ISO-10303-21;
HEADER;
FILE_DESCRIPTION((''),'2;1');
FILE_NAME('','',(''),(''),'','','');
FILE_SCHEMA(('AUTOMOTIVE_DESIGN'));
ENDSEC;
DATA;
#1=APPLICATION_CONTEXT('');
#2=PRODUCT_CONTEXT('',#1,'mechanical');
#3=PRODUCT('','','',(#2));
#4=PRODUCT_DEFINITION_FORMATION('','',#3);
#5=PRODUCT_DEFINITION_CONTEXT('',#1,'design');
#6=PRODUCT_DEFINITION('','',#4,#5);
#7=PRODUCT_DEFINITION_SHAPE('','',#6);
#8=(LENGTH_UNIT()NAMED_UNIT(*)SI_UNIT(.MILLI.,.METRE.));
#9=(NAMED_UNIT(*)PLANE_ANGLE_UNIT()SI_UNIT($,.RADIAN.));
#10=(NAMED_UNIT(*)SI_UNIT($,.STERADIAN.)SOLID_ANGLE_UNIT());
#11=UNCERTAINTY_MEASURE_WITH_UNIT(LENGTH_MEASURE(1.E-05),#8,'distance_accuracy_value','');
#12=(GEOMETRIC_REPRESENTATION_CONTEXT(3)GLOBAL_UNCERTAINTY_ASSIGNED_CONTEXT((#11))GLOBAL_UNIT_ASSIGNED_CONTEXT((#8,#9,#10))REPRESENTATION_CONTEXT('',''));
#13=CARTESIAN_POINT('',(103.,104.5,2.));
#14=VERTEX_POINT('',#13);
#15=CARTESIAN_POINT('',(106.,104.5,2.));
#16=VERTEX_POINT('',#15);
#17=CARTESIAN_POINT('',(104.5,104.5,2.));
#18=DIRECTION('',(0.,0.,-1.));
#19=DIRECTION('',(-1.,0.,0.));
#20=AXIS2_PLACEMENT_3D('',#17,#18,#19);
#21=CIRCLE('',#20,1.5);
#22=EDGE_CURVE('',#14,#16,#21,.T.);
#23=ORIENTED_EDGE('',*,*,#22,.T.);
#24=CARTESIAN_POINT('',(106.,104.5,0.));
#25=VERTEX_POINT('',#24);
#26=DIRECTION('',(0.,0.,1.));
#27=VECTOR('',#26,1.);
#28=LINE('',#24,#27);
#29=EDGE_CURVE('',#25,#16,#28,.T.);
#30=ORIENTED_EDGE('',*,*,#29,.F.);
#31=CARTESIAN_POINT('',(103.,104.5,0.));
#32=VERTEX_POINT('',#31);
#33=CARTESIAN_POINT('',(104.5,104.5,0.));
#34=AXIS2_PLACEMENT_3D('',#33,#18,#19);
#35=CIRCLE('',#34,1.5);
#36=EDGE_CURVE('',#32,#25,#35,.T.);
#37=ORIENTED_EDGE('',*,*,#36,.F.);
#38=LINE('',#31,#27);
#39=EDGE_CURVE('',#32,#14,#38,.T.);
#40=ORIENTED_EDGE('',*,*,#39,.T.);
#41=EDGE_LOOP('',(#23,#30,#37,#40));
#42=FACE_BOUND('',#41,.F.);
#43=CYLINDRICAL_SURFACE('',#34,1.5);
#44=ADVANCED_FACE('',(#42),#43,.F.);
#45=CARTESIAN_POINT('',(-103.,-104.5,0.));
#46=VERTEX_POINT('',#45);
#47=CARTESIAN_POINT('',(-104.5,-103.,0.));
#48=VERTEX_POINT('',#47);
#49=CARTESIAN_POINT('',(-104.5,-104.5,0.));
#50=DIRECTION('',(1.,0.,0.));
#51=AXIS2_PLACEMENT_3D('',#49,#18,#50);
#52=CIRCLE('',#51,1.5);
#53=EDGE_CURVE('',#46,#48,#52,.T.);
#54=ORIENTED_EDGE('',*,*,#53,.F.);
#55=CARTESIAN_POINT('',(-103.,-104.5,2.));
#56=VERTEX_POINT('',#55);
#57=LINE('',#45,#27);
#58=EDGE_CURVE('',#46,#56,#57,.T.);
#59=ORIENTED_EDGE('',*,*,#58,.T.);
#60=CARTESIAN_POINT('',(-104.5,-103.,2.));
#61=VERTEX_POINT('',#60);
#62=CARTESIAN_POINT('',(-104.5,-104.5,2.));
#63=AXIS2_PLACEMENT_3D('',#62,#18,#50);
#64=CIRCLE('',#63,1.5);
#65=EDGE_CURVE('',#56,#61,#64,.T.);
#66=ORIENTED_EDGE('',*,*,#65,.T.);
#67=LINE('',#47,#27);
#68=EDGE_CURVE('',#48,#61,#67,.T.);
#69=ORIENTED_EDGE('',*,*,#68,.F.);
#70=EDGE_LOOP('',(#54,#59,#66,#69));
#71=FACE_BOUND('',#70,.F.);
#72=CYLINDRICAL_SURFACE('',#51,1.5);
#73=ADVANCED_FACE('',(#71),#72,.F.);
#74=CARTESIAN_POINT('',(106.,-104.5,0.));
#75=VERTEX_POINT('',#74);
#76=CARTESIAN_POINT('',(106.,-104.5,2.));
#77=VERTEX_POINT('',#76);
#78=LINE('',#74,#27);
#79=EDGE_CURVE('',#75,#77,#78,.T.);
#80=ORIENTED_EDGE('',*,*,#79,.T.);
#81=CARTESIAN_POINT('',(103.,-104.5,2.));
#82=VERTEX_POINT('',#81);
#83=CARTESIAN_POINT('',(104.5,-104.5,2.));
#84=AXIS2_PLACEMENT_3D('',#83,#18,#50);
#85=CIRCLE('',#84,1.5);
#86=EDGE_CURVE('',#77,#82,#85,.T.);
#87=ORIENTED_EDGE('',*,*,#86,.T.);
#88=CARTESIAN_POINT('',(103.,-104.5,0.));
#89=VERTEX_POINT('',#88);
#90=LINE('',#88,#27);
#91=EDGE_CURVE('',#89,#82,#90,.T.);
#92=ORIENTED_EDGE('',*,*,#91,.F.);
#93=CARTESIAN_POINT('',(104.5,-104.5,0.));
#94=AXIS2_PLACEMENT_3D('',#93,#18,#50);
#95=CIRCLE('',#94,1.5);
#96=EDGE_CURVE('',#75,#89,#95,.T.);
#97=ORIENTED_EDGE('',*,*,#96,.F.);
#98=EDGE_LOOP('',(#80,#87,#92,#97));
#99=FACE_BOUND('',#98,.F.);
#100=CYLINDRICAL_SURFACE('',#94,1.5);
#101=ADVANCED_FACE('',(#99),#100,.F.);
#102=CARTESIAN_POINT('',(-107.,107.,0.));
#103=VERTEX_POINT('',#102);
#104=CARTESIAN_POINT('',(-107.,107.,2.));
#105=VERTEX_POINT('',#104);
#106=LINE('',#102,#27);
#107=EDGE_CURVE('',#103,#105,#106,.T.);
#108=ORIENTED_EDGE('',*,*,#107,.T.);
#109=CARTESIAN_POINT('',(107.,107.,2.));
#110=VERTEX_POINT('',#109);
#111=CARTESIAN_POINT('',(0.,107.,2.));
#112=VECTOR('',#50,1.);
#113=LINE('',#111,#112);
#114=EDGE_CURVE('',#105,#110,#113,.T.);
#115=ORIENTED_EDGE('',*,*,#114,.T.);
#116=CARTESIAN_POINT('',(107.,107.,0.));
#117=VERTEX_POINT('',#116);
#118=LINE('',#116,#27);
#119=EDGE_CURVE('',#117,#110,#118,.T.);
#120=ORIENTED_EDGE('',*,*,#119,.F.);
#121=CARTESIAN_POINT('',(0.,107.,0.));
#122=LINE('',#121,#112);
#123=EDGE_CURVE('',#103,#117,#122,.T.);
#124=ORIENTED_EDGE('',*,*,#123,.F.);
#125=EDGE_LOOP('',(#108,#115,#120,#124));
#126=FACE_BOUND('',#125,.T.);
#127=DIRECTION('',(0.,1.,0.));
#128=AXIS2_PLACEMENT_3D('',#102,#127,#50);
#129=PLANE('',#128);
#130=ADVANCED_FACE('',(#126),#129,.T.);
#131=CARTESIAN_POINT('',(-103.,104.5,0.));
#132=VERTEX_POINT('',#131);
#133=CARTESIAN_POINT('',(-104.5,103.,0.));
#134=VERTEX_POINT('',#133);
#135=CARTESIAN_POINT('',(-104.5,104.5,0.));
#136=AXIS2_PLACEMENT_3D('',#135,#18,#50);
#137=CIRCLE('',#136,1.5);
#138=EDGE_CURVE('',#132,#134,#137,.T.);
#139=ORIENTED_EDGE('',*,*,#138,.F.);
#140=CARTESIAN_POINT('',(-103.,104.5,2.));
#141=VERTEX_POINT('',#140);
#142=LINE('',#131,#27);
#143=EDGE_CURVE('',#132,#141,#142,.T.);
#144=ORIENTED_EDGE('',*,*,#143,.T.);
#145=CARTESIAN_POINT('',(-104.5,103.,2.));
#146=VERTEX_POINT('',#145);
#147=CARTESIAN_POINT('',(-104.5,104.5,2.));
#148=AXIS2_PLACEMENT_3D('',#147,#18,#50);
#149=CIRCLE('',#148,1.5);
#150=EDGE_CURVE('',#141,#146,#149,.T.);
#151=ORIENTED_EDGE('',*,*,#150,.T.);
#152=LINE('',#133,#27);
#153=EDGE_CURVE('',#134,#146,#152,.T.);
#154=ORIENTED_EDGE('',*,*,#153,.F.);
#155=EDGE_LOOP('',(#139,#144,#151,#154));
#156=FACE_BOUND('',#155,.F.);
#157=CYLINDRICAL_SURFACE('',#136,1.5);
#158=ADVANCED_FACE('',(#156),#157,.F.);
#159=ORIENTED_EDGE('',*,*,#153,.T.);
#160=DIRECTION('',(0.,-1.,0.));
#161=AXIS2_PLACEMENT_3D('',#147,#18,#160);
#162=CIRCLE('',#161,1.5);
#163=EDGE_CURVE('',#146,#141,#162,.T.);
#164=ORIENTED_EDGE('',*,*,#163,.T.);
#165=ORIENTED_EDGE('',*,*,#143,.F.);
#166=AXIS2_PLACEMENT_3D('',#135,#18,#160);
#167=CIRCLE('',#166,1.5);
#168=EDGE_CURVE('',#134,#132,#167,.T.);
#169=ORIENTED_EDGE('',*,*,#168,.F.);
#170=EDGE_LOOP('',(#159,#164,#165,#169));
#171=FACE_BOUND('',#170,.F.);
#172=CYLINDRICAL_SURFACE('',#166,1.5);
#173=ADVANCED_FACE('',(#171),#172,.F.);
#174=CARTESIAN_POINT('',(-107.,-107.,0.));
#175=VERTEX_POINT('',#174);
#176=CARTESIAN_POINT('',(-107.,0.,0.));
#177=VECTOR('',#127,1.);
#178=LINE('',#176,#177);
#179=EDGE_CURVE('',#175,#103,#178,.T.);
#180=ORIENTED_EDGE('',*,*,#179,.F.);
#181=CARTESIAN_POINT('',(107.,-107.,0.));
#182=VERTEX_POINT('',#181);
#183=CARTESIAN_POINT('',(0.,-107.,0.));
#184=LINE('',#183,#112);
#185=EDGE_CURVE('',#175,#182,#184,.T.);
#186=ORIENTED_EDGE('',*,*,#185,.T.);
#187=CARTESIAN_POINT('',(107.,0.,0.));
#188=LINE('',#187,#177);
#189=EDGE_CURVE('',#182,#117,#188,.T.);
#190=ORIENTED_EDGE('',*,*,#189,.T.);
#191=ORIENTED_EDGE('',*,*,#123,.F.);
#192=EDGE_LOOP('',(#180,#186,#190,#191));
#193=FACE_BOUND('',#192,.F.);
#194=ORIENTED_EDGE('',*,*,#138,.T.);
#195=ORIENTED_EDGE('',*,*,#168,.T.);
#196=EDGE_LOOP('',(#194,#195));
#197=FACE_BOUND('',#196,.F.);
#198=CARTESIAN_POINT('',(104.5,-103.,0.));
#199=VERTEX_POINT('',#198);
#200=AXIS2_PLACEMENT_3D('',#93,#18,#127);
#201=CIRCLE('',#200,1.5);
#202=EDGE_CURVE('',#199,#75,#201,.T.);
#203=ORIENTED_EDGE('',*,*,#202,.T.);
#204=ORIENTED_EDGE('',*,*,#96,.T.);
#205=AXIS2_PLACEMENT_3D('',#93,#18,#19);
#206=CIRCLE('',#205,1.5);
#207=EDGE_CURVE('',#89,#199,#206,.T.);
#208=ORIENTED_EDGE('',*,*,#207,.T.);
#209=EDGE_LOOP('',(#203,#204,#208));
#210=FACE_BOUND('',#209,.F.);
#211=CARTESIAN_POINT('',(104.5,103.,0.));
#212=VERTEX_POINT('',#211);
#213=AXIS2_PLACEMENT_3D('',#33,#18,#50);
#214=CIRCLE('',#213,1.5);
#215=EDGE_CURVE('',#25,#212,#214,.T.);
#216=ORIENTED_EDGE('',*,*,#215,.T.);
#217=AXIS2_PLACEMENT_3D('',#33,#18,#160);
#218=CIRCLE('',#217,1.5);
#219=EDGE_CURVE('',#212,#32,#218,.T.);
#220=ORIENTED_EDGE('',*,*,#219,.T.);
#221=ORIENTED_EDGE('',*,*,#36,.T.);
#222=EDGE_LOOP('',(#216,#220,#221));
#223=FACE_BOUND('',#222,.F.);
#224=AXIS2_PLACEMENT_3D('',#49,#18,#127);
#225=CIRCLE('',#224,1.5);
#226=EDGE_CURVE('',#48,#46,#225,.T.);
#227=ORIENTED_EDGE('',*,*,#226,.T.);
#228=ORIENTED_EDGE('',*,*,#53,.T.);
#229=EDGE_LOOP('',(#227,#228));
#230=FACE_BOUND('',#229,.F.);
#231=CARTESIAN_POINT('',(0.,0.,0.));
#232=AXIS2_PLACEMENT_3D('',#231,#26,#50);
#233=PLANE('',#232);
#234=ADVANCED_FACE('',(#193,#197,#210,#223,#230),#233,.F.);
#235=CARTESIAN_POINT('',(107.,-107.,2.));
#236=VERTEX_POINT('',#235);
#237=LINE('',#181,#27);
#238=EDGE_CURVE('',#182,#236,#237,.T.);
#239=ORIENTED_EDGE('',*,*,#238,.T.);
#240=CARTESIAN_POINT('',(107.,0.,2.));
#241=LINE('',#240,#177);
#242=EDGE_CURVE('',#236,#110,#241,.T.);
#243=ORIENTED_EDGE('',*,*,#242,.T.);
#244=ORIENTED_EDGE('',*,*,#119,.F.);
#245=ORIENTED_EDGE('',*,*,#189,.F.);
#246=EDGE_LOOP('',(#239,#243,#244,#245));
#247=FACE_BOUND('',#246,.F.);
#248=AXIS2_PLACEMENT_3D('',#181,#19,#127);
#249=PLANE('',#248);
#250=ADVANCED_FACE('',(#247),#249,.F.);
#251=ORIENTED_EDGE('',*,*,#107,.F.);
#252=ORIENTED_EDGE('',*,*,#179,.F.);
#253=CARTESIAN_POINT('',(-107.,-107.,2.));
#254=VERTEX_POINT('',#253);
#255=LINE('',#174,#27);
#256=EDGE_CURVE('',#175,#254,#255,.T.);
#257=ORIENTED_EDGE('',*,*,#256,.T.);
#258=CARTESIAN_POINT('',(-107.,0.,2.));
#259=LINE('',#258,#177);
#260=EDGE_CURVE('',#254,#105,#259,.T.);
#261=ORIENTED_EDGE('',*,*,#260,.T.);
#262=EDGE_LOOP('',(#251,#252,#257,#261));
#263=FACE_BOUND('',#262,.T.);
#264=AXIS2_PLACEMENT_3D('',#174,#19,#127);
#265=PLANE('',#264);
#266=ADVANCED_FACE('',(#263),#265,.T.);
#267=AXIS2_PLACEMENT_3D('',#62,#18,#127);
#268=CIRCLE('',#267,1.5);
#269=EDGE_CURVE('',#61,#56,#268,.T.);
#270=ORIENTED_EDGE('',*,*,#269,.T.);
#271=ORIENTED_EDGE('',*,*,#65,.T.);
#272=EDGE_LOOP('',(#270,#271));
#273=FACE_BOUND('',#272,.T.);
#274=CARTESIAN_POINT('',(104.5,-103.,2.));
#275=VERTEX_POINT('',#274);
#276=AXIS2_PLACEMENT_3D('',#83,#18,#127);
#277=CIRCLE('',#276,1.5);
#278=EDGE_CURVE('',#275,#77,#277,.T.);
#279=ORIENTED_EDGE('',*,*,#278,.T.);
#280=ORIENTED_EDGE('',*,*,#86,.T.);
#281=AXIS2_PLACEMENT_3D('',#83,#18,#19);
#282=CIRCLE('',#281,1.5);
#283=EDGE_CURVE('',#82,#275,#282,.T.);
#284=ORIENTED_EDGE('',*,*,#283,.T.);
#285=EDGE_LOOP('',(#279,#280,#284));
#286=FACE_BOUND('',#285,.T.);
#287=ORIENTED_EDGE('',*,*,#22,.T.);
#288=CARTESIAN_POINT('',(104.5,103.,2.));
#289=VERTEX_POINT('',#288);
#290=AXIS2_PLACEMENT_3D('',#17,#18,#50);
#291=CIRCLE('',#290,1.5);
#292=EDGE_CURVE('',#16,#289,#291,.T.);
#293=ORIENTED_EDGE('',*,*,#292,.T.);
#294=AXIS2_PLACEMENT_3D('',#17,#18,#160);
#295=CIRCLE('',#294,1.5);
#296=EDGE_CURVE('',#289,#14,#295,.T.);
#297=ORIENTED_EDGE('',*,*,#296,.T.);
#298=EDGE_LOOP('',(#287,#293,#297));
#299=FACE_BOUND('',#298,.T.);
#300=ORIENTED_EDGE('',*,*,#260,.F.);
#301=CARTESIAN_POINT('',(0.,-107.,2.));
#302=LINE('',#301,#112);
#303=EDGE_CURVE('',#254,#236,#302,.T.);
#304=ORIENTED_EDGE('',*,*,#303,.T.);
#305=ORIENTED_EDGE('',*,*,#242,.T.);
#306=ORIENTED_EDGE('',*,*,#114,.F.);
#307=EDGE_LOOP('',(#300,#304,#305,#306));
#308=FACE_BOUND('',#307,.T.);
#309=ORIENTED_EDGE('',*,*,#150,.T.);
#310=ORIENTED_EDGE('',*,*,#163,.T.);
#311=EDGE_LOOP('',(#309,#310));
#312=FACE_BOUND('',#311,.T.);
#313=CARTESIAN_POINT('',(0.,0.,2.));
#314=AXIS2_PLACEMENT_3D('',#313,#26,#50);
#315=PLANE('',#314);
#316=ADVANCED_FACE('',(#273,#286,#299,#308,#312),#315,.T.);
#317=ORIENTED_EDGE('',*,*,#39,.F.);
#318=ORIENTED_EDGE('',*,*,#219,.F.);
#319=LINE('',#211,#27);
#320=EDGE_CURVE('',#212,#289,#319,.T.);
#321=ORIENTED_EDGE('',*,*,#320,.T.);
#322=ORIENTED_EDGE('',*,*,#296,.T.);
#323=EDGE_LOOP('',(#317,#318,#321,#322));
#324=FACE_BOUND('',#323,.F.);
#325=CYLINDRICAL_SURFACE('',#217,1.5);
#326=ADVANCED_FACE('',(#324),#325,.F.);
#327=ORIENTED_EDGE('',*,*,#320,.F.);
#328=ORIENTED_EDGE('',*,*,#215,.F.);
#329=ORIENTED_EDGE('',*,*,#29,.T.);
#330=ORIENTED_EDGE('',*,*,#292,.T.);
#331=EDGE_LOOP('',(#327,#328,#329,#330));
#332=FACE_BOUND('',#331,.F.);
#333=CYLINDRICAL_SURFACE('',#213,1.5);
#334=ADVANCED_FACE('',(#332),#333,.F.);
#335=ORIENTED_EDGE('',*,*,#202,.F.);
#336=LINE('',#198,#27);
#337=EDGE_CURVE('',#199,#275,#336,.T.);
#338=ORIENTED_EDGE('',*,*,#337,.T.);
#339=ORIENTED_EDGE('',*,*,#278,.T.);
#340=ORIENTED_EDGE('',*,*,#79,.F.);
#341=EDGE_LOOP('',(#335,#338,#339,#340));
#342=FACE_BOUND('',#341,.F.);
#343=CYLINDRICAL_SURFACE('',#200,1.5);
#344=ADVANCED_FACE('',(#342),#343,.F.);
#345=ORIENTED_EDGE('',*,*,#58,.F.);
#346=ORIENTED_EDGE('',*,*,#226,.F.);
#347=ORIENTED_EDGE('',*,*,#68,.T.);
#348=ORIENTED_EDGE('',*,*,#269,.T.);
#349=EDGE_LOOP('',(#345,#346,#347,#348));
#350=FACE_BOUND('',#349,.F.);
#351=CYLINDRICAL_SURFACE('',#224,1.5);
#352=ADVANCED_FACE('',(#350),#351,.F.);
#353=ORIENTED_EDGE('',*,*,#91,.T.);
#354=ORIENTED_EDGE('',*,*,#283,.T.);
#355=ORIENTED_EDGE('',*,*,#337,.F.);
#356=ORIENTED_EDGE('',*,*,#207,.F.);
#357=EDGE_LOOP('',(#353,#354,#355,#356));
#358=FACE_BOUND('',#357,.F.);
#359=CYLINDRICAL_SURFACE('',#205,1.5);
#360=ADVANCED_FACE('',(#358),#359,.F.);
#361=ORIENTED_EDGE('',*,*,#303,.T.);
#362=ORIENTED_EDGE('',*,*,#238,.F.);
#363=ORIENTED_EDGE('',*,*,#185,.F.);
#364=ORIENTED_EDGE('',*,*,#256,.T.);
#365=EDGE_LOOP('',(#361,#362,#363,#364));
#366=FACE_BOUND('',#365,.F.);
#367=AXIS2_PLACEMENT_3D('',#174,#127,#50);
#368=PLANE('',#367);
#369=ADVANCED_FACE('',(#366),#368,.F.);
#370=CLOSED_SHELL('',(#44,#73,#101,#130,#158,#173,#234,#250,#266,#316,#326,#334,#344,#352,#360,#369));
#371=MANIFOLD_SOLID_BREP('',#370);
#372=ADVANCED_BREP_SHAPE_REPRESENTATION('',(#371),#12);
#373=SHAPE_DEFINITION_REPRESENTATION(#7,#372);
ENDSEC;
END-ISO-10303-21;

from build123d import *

# Parameters (mm, degrees)
F0_W     = 214
F0_H     = 214
F1_DEPTH = 2


with BuildPart() as f1:
    # F0 (on Top) → F1 (new body)
    with BuildSketch(Plane.XY):
        Rectangle(F0_W, F0_H)
        with BuildLine():
            ThreePointArc((-104.5, 103), (-105.5606601718, 105.5606601718), (-103, 104.5))
            Line((-103, 104.5), (103, 104.5))
            ThreePointArc((103, 104.5), (104.5, 106), (106, 104.5))
            ThreePointArc((106, 104.5), (105.5606601718, 103.4393398282), (104.5, 103))
            Line((104.5, 103), (104.5, -103))
            ThreePointArc((104.5, -103), (105.5606601718, -103.4393398282), (106, -104.5))
            ThreePointArc((106, -104.5), (104.5, -106), (103, -104.5))
            Line((103, -104.5), (-103, -104.5))
            ThreePointArc((-103, -104.5), (-105.5606601718, -105.5606601718), (-104.5, -103))
            Line((-104.5, -103), (-104.5, 103))
        make_face(mode=Mode.SUBTRACT)
        with BuildLine():
            Line((103, 104.5), (-103, 104.5))
            ThreePointArc((-103, 104.5), (-103.4393398282, 103.4393398282), (-104.5, 103))
            Line((-104.5, 103), (-104.5, -103))
            ThreePointArc((-104.5, -103), (-103.4393398282, -103.4393398282), (-103, -104.5))
            Line((-103, -104.5), (103, -104.5))
            ThreePointArc((103, -104.5), (103.4393398282, -103.4393398282), (104.5, -103))
            Line((104.5, -103), (104.5, 103))
            ThreePointArc((104.5, 103), (103.4393398282, 103.4393398282), (103, 104.5))
        make_face()
    extrude(amount=F1_DEPTH)


solid = f1.part
